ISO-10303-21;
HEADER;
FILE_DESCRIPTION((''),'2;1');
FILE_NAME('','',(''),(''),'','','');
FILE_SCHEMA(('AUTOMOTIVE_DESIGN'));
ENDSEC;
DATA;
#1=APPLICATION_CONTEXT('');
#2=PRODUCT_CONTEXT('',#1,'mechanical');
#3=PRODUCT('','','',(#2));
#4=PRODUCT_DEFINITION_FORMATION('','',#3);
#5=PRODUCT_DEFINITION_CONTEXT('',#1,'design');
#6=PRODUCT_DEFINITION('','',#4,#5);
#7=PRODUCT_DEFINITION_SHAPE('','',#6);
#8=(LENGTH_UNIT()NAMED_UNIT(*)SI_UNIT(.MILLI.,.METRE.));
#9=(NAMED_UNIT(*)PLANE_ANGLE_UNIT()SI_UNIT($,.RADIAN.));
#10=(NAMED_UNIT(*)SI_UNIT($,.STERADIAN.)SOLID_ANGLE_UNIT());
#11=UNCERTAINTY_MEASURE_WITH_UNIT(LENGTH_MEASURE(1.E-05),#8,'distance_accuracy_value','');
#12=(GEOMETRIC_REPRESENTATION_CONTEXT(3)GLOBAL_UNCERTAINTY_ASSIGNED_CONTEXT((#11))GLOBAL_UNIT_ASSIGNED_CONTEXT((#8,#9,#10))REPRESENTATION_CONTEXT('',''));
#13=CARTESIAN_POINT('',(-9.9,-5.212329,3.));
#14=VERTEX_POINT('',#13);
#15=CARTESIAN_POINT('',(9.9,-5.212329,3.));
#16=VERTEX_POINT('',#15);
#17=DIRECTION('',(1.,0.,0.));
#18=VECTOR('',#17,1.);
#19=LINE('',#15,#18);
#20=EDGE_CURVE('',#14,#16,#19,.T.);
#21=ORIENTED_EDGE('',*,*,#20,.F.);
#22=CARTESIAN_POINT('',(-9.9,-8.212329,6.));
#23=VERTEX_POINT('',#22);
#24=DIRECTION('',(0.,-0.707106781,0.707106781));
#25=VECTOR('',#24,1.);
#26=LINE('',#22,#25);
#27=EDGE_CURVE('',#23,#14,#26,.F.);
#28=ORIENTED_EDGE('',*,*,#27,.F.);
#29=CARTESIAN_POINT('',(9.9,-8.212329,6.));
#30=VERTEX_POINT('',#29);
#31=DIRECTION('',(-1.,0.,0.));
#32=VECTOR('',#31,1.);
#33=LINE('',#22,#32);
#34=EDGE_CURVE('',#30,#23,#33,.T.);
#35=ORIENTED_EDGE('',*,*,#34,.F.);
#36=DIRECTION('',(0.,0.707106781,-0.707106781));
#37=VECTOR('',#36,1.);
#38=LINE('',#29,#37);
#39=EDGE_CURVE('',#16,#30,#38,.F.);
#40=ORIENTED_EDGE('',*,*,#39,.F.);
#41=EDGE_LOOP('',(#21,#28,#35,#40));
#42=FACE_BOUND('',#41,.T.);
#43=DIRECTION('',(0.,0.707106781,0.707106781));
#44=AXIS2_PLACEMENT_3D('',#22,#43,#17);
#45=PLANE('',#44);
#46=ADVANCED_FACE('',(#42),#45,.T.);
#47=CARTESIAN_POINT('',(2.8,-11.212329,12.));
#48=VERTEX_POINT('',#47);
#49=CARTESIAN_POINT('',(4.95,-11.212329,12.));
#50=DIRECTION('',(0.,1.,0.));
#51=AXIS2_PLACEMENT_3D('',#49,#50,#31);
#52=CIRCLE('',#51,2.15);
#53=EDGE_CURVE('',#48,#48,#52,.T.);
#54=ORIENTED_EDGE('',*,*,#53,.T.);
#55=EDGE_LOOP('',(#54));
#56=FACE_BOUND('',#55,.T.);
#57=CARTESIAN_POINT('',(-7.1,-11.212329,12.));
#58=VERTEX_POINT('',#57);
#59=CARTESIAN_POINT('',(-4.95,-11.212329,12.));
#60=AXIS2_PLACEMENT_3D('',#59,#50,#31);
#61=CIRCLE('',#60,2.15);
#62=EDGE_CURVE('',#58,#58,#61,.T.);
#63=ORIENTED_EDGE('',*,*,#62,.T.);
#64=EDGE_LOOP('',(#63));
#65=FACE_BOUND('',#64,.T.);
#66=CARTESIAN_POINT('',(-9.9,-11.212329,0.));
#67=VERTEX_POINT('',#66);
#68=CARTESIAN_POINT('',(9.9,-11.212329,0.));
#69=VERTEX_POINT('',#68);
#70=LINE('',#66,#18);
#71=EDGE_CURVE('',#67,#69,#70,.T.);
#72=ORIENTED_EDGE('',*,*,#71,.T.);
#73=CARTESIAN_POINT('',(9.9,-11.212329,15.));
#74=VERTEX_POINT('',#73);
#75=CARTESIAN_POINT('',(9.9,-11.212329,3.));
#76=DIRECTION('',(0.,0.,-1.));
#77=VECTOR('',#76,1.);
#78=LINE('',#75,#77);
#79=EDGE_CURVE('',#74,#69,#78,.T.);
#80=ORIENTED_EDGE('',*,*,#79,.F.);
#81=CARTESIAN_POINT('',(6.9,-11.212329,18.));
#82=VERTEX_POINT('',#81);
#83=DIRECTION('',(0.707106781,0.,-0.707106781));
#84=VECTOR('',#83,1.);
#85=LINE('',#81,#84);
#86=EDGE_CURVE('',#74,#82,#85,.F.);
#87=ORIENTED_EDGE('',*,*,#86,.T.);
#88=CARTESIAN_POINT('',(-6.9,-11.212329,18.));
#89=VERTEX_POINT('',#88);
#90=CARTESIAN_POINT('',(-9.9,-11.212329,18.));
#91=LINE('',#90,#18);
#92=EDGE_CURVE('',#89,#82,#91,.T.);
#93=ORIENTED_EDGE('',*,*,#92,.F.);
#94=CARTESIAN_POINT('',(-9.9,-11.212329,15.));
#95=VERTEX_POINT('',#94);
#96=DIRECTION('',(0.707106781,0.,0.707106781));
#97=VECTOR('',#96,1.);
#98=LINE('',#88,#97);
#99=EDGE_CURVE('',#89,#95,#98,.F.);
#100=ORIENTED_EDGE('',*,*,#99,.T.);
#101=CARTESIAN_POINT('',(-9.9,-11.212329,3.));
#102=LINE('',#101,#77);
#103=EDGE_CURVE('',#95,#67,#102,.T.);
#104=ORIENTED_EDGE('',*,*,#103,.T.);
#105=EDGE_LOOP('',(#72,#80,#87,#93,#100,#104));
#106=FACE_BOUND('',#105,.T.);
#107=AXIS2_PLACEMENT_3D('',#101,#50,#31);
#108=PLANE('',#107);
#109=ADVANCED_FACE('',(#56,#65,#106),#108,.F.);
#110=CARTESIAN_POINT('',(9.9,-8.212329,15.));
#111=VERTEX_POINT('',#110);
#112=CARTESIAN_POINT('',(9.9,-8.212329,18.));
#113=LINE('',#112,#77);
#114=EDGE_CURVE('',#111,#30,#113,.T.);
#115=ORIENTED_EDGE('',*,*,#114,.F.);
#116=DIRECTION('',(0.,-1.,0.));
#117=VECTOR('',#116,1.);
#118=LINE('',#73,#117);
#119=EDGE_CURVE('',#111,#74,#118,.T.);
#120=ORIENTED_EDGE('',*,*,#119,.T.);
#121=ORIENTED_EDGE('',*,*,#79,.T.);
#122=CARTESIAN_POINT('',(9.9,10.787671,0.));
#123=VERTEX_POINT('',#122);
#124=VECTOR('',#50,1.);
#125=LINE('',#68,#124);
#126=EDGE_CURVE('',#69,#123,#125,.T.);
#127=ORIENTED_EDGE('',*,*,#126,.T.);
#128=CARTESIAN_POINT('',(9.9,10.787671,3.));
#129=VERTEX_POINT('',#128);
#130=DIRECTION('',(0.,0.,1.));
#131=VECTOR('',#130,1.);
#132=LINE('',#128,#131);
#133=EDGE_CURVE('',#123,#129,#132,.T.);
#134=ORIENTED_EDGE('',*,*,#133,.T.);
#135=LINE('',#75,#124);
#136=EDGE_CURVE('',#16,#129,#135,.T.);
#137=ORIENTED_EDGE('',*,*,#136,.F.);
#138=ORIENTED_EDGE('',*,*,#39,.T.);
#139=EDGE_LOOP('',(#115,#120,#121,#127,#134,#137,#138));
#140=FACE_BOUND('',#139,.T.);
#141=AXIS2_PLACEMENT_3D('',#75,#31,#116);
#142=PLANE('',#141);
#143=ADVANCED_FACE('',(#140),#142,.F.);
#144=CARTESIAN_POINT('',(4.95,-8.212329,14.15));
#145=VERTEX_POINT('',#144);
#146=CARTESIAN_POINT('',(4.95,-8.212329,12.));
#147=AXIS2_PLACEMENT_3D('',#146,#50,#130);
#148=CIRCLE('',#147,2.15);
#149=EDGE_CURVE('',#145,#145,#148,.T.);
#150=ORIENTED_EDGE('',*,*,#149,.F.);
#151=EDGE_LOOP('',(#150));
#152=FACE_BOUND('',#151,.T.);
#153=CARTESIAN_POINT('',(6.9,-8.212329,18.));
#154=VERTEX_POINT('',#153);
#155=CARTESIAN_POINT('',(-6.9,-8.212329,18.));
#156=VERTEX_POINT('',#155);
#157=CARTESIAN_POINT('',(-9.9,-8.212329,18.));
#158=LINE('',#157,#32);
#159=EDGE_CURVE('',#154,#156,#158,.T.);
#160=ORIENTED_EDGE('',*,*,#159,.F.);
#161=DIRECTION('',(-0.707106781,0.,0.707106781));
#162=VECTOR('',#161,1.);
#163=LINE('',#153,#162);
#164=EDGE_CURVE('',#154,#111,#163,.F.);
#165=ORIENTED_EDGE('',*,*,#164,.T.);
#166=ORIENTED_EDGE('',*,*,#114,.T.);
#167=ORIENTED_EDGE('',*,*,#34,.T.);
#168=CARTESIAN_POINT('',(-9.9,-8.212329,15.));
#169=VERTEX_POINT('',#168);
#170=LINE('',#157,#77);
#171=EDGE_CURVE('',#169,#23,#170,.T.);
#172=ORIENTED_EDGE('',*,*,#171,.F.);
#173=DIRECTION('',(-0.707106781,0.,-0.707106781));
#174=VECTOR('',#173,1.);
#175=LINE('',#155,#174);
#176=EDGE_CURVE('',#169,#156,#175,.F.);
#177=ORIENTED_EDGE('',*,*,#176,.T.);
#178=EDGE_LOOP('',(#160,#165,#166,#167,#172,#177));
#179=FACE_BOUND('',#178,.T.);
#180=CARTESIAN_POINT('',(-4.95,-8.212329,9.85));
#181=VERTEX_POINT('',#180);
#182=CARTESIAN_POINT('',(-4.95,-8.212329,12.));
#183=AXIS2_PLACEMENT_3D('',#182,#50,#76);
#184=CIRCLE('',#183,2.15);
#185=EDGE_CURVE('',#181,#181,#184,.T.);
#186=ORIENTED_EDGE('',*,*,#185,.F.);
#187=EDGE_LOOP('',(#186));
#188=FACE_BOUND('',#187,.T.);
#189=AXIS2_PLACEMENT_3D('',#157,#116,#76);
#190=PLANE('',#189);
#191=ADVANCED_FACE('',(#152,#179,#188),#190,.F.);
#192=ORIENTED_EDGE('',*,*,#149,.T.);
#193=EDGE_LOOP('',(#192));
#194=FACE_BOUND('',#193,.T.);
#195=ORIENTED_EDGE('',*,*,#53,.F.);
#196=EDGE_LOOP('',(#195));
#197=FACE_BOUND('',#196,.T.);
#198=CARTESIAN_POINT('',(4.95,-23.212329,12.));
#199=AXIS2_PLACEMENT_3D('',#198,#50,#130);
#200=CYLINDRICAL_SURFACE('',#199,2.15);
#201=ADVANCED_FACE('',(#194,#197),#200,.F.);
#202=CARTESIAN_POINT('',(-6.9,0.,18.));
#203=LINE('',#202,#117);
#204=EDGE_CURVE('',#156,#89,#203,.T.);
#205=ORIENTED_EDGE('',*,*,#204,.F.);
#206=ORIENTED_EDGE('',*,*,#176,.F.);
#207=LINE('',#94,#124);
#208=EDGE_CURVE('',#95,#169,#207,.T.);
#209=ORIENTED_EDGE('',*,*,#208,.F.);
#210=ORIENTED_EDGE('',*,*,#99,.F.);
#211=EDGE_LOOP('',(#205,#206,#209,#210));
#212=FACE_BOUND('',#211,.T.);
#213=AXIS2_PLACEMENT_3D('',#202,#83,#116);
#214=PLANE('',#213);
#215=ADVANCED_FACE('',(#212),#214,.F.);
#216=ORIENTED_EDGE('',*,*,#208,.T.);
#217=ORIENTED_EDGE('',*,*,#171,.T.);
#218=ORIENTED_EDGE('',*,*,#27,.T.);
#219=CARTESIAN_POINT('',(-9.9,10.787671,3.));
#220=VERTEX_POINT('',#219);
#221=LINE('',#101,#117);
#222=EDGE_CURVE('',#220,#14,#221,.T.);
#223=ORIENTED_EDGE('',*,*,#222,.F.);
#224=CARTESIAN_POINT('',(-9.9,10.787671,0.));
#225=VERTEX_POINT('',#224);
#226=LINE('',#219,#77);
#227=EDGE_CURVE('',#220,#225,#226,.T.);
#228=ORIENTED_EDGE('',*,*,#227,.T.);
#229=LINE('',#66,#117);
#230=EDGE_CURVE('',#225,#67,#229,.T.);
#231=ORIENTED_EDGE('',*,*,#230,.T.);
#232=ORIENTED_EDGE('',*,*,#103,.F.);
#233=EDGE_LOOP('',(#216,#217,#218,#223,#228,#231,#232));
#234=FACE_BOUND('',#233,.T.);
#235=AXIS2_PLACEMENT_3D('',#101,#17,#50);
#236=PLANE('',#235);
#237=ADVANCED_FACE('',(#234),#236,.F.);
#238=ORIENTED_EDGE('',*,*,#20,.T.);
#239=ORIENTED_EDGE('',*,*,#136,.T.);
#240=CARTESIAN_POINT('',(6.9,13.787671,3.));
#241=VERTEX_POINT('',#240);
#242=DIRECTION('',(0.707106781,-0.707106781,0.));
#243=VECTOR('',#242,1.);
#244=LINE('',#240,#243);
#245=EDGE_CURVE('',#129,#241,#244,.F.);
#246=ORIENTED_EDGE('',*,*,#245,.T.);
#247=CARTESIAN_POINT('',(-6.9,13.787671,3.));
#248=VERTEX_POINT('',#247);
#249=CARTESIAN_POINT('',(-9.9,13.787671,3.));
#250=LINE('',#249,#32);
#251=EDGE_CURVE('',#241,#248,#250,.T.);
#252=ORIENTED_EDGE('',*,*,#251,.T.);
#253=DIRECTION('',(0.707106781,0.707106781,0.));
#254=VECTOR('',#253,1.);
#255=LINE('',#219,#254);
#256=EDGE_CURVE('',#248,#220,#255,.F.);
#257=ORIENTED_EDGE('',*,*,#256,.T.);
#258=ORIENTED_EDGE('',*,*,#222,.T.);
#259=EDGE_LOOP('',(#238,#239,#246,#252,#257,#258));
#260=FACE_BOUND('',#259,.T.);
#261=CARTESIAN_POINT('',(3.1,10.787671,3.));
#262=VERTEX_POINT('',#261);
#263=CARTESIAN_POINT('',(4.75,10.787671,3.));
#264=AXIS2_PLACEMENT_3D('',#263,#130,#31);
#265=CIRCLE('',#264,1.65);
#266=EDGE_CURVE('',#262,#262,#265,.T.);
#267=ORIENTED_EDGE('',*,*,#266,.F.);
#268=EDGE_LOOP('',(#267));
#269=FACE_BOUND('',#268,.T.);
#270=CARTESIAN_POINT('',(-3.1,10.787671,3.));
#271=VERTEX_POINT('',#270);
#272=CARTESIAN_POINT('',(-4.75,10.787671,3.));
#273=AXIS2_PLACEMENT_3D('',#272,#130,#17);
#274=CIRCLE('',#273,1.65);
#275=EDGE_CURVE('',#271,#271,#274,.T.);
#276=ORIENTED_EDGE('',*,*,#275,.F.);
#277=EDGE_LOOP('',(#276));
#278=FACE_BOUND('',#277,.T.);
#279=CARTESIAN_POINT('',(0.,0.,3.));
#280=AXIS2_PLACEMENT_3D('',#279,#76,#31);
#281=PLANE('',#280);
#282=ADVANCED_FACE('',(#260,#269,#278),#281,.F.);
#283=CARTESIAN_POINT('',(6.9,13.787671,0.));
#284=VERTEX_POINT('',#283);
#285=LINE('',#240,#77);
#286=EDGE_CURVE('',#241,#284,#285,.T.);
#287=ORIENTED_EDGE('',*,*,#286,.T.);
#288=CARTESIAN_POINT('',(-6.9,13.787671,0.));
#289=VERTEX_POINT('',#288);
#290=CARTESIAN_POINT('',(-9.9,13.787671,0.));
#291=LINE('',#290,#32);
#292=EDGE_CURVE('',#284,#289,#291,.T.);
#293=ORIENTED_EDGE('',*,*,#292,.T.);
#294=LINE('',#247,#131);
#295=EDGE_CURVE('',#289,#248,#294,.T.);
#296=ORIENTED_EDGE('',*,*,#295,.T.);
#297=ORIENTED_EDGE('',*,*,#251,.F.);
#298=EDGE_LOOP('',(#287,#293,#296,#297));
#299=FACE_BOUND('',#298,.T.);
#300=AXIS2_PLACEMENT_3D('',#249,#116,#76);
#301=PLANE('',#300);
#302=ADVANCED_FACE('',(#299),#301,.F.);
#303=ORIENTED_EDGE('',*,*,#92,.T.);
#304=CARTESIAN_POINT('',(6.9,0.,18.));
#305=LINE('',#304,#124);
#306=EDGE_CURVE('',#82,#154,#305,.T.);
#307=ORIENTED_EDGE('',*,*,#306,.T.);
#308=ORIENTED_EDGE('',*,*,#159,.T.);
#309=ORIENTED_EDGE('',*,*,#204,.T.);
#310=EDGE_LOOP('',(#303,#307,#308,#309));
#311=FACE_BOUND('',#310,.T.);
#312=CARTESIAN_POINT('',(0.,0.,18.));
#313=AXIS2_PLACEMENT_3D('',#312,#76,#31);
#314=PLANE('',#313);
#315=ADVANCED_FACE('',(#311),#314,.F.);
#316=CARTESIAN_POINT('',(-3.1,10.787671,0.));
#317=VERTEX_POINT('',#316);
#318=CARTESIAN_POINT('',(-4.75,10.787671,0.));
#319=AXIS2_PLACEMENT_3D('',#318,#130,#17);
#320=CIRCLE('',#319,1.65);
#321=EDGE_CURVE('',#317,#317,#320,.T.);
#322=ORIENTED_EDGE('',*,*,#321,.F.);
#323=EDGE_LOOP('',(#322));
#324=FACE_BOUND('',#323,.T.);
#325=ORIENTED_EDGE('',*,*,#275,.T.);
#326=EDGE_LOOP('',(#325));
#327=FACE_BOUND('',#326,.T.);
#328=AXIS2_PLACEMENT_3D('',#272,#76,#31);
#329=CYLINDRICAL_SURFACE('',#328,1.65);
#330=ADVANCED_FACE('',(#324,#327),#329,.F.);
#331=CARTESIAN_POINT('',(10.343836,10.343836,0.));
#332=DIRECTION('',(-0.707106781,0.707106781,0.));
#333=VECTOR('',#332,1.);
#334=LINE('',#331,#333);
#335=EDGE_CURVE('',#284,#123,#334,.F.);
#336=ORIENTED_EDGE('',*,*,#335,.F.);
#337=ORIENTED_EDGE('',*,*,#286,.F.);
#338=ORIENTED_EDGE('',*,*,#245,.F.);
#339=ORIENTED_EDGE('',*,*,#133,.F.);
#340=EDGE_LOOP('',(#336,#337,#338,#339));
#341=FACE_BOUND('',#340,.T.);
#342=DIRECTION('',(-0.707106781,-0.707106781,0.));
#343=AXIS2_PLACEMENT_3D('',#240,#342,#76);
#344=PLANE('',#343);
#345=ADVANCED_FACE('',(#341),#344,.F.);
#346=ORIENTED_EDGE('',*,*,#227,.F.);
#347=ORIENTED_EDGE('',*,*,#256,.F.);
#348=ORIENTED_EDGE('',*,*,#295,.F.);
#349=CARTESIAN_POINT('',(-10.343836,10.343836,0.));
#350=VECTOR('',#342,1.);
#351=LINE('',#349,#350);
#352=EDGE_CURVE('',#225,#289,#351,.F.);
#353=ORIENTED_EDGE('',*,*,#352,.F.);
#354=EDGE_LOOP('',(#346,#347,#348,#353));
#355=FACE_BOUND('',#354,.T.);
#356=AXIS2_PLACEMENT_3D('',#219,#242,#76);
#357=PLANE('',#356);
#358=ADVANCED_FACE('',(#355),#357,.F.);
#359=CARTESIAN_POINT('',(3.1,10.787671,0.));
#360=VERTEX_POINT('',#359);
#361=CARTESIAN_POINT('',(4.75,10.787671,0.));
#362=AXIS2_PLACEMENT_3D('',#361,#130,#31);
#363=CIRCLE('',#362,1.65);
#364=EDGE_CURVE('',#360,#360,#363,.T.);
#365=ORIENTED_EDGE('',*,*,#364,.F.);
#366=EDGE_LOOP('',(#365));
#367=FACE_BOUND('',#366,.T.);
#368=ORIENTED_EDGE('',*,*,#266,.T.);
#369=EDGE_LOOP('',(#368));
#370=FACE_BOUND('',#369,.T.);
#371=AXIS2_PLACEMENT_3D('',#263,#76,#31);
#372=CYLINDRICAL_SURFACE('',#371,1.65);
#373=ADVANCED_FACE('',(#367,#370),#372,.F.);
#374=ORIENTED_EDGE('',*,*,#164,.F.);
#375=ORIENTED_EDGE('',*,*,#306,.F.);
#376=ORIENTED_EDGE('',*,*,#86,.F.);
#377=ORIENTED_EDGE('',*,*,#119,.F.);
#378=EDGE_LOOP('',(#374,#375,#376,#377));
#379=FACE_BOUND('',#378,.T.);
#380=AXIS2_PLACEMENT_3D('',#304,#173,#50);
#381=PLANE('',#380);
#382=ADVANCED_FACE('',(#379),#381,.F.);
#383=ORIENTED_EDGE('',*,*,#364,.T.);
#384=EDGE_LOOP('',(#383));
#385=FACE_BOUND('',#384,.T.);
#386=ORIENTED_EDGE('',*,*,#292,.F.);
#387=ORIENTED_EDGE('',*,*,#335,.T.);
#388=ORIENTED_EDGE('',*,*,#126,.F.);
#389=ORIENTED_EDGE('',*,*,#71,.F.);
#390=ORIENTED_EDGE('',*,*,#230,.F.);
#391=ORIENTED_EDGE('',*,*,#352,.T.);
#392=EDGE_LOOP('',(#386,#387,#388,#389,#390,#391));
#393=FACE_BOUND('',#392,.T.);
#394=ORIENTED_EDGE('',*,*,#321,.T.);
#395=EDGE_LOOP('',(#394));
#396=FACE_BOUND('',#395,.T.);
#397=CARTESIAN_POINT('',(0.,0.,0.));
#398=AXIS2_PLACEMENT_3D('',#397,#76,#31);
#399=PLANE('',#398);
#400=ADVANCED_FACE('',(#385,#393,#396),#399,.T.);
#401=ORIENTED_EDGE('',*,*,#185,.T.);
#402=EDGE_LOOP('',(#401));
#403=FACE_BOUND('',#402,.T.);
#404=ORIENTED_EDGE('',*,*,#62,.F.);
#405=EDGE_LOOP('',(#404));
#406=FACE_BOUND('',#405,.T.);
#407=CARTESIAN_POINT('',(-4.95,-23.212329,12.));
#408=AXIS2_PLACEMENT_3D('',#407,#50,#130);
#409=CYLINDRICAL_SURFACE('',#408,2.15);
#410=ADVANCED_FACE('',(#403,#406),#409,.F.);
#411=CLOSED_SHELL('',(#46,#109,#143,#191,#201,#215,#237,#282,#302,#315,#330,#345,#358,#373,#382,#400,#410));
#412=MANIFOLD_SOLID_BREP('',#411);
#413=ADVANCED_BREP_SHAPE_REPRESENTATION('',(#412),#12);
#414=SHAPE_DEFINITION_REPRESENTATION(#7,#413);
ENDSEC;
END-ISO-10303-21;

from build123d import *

# Parameters (mm, degrees)
SKETCH1_W           = 19.8
SKETCH1_H           = 25
SKETCH1_R           = 1.65
BOSS_EXTRUDE1_DEPTH = 3
SKETCH2_W           = 19.8
SKETCH2_H           = 3
BOSS_EXTRUDE2_DEPTH = 15
CHAMFER1_SIZE       = 3
SKETCH4_R           = 2.15
CUT_EXTRUDE1_DEPTH  = 15
CHAMFER2_SIZE       = 3


with BuildPart() as part:
    # Sketch1 → Boss-Extrude1 (new body)
    with BuildSketch(Plane.XY):
        with Locations((0, 1.287671233)):
            Rectangle(SKETCH1_W, SKETCH1_H)
        with Locations((-4.75, 10.787671233)):
            Circle(SKETCH1_R, mode=Mode.SUBTRACT)
        with Locations(Location((4.75, 10.787671233, 0), (0, 0, 180))):
            Circle(SKETCH1_R, mode=Mode.SUBTRACT)
    extrude(amount=BOSS_EXTRUDE1_DEPTH)

    # Sketch2 → Boss-Extrude2 (add)
    with BuildSketch(Plane.XY.offset(3)):
        with Locations((0, -9.712328767)):
            Rectangle(SKETCH2_W, SKETCH2_H)
    extrude(amount=BOSS_EXTRUDE2_DEPTH)

    # Chamfer1
    chamfer1_edges = [part.edges().sort_by_distance(p)[0] for p in [
        (0, -8.212328767, 3),
        (-9.9, 13.787671233, 1.5),
        (9.9, 13.787671233, 1.5),
    ]]
    chamfer(chamfer1_edges, length=CHAMFER1_SIZE)

    # Sketch4 → Cut-Extrude1 (cut)
    with BuildSketch(Plane(origin=(0, -8.212328767, 0), x_dir=(1, 0, 0), z_dir=(0, 1, 0))):
        with Locations(Location((4.95, -12, 0), (0, 0, 270))):
            Circle(SKETCH4_R)
        with Locations(Location((-4.95, -12, 0), (0, 0, 180))):
            Circle(SKETCH4_R)
    extrude(amount=-CUT_EXTRUDE1_DEPTH, mode=Mode.SUBTRACT)

    # Chamfer2
    chamfer2_edges = [part.edges().sort_by_distance(p)[0] for p in [
        (-9.9, -9.712328767, 18),
        (9.9, -9.712328767, 18),
    ]]
    chamfer(chamfer2_edges, length=CHAMFER2_SIZE)


solid = part.part
